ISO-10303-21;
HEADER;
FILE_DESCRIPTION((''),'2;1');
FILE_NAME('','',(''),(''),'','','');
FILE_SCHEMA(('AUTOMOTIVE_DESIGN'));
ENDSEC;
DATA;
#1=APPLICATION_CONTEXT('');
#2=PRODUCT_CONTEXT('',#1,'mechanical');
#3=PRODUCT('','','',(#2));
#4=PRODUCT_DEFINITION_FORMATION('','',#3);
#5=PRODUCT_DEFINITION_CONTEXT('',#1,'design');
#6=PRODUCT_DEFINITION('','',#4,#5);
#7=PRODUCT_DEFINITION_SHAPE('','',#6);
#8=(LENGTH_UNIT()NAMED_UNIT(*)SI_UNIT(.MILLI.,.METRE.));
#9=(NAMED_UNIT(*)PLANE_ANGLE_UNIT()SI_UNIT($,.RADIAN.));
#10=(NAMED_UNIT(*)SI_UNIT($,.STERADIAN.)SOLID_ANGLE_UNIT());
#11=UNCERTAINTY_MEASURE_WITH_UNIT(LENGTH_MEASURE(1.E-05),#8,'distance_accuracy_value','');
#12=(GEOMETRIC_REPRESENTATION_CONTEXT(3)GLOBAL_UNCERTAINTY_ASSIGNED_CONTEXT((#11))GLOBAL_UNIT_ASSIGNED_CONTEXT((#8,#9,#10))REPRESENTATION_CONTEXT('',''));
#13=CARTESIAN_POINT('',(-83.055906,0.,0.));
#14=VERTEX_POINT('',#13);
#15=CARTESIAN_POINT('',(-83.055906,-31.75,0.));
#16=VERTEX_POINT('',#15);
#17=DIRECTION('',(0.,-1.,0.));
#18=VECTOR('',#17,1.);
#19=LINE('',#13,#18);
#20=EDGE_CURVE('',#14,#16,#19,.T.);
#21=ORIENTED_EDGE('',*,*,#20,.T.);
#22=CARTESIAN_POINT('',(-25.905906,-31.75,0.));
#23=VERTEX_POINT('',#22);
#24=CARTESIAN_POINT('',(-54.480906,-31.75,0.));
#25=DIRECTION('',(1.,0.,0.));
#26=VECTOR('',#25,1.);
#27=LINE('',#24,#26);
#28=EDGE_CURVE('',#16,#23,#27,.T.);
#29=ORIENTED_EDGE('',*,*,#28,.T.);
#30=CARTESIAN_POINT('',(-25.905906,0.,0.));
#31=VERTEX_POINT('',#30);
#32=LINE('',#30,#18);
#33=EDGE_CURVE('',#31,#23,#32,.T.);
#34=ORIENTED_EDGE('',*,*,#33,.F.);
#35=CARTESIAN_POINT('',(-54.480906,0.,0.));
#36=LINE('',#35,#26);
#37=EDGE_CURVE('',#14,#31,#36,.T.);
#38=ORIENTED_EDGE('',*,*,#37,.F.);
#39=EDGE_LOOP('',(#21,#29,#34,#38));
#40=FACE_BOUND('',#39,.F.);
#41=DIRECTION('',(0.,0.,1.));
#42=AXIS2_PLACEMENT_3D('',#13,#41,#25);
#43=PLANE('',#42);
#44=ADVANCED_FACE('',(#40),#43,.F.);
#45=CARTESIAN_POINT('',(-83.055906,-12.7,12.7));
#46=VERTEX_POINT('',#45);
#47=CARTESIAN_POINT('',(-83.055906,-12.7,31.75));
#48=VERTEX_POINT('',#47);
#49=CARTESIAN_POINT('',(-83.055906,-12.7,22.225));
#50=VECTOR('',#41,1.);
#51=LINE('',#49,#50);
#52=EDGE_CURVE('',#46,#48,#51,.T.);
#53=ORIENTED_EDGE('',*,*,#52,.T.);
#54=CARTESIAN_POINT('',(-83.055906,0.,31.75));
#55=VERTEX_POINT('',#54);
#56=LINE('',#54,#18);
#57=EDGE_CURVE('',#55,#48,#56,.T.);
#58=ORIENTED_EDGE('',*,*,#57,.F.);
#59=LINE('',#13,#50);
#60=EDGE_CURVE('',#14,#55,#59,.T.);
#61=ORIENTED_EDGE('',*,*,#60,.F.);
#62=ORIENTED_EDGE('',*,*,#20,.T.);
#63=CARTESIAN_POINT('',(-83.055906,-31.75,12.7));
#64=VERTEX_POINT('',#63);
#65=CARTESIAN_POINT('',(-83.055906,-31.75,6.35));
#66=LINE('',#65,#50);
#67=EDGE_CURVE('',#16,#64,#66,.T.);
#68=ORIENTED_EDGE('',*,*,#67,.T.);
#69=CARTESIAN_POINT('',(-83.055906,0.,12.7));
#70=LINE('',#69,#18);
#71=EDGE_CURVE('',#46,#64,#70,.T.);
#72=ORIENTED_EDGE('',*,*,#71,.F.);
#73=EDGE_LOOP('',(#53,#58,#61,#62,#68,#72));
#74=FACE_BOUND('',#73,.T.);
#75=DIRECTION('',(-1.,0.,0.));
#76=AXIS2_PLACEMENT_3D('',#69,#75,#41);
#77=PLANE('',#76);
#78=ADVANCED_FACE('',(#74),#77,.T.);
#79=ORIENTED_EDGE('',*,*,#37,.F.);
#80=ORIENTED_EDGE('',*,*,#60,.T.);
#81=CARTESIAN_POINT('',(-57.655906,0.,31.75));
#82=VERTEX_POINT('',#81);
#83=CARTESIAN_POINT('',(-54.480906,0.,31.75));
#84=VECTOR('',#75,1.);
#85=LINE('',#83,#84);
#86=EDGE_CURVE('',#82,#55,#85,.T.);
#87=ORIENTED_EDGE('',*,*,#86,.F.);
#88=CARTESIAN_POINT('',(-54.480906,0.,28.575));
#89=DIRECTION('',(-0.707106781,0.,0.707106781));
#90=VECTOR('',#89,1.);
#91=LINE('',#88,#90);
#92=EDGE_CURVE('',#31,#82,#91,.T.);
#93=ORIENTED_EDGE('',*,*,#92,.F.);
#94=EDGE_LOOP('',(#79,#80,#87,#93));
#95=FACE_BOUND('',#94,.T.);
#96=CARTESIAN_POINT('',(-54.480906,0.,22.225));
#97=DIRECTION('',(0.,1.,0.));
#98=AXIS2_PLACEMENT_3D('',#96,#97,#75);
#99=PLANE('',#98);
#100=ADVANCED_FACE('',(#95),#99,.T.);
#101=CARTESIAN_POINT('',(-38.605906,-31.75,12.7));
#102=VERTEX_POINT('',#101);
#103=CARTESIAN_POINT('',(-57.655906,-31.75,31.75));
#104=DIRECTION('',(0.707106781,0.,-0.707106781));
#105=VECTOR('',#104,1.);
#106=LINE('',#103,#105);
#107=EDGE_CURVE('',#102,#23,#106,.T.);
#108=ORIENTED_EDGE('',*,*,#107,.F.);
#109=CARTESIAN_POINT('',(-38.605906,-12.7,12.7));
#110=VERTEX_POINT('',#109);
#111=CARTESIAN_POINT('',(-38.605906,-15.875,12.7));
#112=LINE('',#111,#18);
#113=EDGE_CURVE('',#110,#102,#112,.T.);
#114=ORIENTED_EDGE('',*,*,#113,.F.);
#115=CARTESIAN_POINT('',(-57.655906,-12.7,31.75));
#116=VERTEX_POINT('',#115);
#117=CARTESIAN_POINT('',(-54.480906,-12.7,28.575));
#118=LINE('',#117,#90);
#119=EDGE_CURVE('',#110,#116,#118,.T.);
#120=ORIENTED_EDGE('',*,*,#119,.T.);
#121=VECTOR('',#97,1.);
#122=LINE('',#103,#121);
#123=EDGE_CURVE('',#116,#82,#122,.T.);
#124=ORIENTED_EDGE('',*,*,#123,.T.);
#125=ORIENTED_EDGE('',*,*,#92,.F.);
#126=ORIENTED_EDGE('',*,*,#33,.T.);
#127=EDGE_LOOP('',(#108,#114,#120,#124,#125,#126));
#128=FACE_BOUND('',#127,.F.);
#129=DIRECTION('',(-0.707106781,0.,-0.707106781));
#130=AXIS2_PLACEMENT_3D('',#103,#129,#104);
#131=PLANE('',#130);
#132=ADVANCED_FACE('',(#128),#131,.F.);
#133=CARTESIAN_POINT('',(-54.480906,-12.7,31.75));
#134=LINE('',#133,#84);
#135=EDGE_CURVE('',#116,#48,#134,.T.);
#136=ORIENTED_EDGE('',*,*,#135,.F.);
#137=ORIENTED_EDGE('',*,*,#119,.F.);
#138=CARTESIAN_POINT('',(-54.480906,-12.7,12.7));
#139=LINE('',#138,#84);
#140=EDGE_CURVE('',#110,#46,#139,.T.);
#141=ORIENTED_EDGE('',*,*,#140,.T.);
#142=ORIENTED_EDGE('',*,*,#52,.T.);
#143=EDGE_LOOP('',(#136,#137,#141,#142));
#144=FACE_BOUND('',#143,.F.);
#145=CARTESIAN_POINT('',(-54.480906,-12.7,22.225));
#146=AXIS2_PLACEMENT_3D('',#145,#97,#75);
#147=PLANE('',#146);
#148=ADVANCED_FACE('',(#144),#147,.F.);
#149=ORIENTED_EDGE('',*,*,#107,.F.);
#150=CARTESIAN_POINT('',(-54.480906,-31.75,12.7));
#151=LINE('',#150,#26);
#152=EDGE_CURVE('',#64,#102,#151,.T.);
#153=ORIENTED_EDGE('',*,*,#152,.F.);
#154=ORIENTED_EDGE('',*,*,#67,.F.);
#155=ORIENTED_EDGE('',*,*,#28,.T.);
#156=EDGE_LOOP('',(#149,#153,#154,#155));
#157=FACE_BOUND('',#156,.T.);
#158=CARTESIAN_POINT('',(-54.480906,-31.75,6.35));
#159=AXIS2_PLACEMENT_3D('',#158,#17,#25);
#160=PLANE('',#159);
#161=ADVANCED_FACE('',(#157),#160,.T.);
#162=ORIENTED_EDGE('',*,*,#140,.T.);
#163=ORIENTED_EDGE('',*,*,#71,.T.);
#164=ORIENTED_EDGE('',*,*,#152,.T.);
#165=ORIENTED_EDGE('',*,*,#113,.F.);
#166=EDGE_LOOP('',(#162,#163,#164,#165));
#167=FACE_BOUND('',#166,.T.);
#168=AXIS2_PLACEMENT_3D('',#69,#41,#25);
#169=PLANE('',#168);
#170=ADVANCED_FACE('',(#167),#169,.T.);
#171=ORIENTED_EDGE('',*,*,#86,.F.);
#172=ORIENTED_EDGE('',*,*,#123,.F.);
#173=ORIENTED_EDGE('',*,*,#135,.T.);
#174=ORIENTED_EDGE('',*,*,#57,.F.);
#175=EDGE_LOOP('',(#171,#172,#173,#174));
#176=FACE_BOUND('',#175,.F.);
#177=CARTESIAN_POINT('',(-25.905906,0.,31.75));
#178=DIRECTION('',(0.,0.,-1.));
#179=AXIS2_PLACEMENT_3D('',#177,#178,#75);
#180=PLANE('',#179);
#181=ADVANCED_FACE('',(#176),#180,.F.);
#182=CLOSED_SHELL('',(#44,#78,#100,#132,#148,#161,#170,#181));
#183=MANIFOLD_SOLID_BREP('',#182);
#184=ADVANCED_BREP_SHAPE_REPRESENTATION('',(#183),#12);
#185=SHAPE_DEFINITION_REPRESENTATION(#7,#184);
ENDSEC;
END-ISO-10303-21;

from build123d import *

# Parameters (mm, degrees)
F0_W     = 57.15
F0_H     = 12.7
F1_DEPTH = 31.75
F2_W     = 57.15
F2_H     = 19.05
F3_DEPTH = 12.7
F5_DEPTH = 31.751


with BuildPart() as f1:
    # F0 (on Front) → F1 (new body)
    with BuildSketch(Plane.XZ):
        with Locations((-54.480906, 6.35)):
            Rectangle(F0_W, F0_H)
    extrude(amount=F1_DEPTH)

    # F2 (on face) → F3 (join)
    with BuildSketch(Plane(origin=(0, 0, 0), x_dir=(-1, 0, 0), z_dir=(0, 1, 0))):
        with Locations((54.480906, 22.225)):
            Rectangle(F2_W, F2_H)
    extrude(amount=-F3_DEPTH)

    # F4 (on face) → F5 (cut, through all)
    with BuildSketch(Plane.XZ.offset(31.75)):
        Polygon((-57.655906, 31.75), (-25.905906, 0), (-25.905906, 31.75), align=None)
    extrude(amount=-F5_DEPTH, mode=Mode.SUBTRACT)


solid = f1.part
